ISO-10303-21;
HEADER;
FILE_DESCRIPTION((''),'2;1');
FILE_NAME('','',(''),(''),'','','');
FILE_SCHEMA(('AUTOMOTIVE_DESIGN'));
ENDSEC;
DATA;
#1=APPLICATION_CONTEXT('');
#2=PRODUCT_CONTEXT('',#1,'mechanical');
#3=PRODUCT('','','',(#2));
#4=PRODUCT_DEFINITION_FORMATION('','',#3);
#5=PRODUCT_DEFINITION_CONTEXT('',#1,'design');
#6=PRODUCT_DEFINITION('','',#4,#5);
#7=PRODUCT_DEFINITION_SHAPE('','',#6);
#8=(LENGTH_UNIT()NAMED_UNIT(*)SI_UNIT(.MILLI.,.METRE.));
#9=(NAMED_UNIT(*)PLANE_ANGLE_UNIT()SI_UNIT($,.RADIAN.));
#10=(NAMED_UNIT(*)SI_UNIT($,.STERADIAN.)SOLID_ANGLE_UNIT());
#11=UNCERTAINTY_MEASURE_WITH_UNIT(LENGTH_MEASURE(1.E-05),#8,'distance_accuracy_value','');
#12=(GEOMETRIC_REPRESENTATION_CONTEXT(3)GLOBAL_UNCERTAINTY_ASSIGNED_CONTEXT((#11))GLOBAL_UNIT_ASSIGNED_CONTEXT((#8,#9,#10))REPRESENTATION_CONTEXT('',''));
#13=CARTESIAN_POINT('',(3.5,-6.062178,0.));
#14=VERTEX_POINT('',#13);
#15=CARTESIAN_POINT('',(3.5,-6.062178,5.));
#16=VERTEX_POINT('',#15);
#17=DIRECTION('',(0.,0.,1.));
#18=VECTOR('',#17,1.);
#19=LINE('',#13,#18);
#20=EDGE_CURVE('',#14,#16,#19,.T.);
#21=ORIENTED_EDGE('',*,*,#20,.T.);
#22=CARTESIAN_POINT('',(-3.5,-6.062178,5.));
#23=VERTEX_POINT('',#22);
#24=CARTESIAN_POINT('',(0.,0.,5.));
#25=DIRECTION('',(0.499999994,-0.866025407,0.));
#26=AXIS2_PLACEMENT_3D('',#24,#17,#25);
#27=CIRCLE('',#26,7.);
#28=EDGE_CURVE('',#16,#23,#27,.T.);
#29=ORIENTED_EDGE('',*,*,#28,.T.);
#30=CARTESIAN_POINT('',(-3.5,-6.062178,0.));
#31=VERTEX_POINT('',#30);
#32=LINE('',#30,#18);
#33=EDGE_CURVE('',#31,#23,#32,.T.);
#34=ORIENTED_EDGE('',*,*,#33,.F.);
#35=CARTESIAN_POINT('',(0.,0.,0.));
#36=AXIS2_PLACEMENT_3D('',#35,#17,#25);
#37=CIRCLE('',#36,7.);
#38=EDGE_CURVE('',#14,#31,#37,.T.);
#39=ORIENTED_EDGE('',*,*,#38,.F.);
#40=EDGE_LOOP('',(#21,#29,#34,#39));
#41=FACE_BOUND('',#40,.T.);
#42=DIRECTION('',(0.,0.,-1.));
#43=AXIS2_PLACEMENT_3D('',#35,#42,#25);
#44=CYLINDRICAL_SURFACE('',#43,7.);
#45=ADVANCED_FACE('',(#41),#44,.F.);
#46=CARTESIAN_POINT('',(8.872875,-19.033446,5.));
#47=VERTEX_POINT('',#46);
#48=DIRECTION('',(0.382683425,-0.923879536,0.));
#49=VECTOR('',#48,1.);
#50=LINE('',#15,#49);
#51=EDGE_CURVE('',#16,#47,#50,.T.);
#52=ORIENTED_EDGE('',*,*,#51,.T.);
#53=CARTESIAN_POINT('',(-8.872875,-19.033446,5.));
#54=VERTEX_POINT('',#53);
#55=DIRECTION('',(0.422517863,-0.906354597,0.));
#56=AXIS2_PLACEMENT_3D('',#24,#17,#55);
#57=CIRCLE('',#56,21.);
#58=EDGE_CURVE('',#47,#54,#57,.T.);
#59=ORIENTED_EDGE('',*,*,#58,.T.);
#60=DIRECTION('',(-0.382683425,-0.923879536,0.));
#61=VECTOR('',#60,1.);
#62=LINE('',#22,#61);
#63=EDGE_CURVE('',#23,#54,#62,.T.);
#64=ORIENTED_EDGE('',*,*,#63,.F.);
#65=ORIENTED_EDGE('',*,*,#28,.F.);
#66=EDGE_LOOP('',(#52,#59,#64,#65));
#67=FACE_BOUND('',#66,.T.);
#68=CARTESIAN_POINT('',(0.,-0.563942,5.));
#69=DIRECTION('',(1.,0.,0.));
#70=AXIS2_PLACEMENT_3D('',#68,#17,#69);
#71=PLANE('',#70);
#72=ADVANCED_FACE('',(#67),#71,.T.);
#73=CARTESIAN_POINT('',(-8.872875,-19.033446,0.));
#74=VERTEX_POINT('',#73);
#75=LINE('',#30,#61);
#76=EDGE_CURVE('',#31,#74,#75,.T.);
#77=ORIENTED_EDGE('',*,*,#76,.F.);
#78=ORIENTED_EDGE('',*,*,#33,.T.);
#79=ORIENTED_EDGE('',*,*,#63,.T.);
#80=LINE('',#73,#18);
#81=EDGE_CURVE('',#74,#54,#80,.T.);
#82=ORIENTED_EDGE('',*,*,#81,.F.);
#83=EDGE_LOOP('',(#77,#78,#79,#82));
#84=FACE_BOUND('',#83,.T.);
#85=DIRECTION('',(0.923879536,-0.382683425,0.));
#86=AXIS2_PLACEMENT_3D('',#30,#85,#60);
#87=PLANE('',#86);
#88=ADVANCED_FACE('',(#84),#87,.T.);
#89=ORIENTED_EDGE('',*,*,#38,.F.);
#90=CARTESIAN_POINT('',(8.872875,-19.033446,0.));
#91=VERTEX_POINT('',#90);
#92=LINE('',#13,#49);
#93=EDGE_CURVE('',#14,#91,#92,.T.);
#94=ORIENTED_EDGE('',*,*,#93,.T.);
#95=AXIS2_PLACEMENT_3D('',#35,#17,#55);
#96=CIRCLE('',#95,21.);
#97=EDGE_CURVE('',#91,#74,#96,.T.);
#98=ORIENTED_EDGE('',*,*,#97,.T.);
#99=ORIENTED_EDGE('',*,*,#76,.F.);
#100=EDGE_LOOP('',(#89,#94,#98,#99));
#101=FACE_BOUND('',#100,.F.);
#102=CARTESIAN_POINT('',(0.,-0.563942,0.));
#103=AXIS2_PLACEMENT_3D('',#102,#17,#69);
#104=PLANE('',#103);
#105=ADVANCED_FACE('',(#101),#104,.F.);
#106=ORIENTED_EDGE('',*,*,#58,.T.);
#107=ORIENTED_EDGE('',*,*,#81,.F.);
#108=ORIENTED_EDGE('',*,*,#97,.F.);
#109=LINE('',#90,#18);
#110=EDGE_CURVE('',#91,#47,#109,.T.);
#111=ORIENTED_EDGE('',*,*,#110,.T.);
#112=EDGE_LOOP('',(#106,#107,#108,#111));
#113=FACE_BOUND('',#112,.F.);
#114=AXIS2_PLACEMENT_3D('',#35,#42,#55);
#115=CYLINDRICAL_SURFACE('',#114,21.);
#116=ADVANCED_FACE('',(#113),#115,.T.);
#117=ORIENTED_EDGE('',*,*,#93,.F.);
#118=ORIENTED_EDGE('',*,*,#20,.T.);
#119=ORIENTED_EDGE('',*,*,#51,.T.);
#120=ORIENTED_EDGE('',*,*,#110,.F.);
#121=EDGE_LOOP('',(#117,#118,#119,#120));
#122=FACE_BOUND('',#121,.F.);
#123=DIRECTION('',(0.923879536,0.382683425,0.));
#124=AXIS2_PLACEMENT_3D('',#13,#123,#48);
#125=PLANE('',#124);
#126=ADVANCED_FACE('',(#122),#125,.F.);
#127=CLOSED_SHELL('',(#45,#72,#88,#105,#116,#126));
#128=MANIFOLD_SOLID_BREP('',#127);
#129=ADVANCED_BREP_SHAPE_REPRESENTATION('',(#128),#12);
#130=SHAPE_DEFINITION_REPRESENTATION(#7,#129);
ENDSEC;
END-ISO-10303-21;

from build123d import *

# Parameters (mm, degrees)
PAD_DEPTH = 5


with BuildPart() as part:
    # Sketch → Pad (new body)
    with BuildSketch(Plane.XY):
        with BuildLine():
            ThreePointArc((8.872875, -19.033446), (0, 21), (-8.872875, -19.033446))
            Line((-3.5, -6.062178), (-8.872875, -19.033446))
            ThreePointArc((3.5, -6.062178), (0, 7), (-3.5, -6.062178))
            Line((3.5, -6.062178), (8.872875, -19.033446))
        make_face()
    extrude(amount=PAD_DEPTH)


solid = part.part
